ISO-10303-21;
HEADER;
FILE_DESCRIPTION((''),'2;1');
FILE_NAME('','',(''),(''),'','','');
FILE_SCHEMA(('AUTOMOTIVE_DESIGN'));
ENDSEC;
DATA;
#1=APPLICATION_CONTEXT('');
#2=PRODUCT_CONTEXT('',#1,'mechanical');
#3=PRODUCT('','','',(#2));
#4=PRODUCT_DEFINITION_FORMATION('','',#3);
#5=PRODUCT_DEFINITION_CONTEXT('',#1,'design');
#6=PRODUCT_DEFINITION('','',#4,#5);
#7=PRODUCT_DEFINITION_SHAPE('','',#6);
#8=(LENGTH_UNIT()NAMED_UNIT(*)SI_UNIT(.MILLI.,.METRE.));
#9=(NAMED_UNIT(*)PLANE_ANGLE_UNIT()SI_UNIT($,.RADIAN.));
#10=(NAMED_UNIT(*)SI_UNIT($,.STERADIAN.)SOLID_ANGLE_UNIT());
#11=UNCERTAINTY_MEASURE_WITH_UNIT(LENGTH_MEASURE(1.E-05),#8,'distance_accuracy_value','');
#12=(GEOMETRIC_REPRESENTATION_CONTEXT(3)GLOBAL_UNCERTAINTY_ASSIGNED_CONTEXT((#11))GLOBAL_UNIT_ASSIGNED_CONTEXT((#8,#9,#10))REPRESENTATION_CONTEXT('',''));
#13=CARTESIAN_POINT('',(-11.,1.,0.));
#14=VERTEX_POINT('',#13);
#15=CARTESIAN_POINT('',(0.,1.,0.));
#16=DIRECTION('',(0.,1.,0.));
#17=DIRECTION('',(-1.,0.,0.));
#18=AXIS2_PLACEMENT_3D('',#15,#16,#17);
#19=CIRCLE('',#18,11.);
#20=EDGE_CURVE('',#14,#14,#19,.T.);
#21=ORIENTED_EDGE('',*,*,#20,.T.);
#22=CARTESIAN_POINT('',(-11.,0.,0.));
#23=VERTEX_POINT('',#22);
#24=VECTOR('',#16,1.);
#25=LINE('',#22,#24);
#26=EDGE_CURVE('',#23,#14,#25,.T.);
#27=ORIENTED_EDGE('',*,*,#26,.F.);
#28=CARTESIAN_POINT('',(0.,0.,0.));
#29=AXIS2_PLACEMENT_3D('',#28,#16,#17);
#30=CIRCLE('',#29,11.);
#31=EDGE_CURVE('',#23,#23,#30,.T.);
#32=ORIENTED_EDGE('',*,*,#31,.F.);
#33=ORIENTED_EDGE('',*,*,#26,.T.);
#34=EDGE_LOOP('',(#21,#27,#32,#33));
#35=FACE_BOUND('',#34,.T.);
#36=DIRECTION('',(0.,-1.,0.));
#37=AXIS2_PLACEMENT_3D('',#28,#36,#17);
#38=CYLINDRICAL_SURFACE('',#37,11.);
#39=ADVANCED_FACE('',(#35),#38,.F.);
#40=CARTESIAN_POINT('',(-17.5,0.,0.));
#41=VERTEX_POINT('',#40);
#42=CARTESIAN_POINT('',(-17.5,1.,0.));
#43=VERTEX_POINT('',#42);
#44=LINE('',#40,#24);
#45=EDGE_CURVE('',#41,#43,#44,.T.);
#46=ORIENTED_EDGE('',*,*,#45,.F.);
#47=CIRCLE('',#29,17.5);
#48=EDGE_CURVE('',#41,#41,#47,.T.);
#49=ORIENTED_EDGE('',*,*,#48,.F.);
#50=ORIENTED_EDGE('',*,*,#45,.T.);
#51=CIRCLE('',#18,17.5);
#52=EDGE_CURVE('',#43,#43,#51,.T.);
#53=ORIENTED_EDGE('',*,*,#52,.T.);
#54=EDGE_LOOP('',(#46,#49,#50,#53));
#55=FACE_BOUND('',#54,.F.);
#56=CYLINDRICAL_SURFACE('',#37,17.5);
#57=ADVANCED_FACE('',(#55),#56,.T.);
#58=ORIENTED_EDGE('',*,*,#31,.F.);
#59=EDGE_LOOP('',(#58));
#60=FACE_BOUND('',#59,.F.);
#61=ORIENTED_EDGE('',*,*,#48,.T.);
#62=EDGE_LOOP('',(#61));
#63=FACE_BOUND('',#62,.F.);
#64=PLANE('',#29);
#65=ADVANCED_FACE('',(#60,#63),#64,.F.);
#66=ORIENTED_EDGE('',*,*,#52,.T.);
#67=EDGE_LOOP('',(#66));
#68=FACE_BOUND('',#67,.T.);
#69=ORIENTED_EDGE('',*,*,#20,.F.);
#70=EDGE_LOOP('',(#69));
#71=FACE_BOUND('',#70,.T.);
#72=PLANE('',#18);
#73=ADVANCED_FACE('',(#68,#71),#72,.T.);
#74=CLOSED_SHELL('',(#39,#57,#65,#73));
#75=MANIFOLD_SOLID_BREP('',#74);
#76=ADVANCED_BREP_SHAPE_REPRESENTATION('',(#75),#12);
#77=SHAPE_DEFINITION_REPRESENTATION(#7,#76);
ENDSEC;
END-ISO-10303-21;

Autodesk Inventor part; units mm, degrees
ref_plane "YZ Plane" through (0, 0, 0) normal (1, 0, 0) x (0, 1, 0)
ref_plane "XZ Plane" through (0, 0, 0) normal (0, 1, 0) x (-1, 0, 0)
ref_plane "XY Plane" through (0, 0, 0) normal (0, 0, 1) x (1, 0, 0)
sketch "スケッチ1" plane through (0, 0, 0) normal (0, 1, 0) x (-1, 0, 0)
  circle A0 centre (0, 0) radius 11
  circle A1 centre (0, 0) radius 17.5
  dimension "d0" = 22
  dimension "d1" = 35
extrude "押し出し1" add sketch "スケッチ1" along normal blind 1
properties part number "spacer_14"
